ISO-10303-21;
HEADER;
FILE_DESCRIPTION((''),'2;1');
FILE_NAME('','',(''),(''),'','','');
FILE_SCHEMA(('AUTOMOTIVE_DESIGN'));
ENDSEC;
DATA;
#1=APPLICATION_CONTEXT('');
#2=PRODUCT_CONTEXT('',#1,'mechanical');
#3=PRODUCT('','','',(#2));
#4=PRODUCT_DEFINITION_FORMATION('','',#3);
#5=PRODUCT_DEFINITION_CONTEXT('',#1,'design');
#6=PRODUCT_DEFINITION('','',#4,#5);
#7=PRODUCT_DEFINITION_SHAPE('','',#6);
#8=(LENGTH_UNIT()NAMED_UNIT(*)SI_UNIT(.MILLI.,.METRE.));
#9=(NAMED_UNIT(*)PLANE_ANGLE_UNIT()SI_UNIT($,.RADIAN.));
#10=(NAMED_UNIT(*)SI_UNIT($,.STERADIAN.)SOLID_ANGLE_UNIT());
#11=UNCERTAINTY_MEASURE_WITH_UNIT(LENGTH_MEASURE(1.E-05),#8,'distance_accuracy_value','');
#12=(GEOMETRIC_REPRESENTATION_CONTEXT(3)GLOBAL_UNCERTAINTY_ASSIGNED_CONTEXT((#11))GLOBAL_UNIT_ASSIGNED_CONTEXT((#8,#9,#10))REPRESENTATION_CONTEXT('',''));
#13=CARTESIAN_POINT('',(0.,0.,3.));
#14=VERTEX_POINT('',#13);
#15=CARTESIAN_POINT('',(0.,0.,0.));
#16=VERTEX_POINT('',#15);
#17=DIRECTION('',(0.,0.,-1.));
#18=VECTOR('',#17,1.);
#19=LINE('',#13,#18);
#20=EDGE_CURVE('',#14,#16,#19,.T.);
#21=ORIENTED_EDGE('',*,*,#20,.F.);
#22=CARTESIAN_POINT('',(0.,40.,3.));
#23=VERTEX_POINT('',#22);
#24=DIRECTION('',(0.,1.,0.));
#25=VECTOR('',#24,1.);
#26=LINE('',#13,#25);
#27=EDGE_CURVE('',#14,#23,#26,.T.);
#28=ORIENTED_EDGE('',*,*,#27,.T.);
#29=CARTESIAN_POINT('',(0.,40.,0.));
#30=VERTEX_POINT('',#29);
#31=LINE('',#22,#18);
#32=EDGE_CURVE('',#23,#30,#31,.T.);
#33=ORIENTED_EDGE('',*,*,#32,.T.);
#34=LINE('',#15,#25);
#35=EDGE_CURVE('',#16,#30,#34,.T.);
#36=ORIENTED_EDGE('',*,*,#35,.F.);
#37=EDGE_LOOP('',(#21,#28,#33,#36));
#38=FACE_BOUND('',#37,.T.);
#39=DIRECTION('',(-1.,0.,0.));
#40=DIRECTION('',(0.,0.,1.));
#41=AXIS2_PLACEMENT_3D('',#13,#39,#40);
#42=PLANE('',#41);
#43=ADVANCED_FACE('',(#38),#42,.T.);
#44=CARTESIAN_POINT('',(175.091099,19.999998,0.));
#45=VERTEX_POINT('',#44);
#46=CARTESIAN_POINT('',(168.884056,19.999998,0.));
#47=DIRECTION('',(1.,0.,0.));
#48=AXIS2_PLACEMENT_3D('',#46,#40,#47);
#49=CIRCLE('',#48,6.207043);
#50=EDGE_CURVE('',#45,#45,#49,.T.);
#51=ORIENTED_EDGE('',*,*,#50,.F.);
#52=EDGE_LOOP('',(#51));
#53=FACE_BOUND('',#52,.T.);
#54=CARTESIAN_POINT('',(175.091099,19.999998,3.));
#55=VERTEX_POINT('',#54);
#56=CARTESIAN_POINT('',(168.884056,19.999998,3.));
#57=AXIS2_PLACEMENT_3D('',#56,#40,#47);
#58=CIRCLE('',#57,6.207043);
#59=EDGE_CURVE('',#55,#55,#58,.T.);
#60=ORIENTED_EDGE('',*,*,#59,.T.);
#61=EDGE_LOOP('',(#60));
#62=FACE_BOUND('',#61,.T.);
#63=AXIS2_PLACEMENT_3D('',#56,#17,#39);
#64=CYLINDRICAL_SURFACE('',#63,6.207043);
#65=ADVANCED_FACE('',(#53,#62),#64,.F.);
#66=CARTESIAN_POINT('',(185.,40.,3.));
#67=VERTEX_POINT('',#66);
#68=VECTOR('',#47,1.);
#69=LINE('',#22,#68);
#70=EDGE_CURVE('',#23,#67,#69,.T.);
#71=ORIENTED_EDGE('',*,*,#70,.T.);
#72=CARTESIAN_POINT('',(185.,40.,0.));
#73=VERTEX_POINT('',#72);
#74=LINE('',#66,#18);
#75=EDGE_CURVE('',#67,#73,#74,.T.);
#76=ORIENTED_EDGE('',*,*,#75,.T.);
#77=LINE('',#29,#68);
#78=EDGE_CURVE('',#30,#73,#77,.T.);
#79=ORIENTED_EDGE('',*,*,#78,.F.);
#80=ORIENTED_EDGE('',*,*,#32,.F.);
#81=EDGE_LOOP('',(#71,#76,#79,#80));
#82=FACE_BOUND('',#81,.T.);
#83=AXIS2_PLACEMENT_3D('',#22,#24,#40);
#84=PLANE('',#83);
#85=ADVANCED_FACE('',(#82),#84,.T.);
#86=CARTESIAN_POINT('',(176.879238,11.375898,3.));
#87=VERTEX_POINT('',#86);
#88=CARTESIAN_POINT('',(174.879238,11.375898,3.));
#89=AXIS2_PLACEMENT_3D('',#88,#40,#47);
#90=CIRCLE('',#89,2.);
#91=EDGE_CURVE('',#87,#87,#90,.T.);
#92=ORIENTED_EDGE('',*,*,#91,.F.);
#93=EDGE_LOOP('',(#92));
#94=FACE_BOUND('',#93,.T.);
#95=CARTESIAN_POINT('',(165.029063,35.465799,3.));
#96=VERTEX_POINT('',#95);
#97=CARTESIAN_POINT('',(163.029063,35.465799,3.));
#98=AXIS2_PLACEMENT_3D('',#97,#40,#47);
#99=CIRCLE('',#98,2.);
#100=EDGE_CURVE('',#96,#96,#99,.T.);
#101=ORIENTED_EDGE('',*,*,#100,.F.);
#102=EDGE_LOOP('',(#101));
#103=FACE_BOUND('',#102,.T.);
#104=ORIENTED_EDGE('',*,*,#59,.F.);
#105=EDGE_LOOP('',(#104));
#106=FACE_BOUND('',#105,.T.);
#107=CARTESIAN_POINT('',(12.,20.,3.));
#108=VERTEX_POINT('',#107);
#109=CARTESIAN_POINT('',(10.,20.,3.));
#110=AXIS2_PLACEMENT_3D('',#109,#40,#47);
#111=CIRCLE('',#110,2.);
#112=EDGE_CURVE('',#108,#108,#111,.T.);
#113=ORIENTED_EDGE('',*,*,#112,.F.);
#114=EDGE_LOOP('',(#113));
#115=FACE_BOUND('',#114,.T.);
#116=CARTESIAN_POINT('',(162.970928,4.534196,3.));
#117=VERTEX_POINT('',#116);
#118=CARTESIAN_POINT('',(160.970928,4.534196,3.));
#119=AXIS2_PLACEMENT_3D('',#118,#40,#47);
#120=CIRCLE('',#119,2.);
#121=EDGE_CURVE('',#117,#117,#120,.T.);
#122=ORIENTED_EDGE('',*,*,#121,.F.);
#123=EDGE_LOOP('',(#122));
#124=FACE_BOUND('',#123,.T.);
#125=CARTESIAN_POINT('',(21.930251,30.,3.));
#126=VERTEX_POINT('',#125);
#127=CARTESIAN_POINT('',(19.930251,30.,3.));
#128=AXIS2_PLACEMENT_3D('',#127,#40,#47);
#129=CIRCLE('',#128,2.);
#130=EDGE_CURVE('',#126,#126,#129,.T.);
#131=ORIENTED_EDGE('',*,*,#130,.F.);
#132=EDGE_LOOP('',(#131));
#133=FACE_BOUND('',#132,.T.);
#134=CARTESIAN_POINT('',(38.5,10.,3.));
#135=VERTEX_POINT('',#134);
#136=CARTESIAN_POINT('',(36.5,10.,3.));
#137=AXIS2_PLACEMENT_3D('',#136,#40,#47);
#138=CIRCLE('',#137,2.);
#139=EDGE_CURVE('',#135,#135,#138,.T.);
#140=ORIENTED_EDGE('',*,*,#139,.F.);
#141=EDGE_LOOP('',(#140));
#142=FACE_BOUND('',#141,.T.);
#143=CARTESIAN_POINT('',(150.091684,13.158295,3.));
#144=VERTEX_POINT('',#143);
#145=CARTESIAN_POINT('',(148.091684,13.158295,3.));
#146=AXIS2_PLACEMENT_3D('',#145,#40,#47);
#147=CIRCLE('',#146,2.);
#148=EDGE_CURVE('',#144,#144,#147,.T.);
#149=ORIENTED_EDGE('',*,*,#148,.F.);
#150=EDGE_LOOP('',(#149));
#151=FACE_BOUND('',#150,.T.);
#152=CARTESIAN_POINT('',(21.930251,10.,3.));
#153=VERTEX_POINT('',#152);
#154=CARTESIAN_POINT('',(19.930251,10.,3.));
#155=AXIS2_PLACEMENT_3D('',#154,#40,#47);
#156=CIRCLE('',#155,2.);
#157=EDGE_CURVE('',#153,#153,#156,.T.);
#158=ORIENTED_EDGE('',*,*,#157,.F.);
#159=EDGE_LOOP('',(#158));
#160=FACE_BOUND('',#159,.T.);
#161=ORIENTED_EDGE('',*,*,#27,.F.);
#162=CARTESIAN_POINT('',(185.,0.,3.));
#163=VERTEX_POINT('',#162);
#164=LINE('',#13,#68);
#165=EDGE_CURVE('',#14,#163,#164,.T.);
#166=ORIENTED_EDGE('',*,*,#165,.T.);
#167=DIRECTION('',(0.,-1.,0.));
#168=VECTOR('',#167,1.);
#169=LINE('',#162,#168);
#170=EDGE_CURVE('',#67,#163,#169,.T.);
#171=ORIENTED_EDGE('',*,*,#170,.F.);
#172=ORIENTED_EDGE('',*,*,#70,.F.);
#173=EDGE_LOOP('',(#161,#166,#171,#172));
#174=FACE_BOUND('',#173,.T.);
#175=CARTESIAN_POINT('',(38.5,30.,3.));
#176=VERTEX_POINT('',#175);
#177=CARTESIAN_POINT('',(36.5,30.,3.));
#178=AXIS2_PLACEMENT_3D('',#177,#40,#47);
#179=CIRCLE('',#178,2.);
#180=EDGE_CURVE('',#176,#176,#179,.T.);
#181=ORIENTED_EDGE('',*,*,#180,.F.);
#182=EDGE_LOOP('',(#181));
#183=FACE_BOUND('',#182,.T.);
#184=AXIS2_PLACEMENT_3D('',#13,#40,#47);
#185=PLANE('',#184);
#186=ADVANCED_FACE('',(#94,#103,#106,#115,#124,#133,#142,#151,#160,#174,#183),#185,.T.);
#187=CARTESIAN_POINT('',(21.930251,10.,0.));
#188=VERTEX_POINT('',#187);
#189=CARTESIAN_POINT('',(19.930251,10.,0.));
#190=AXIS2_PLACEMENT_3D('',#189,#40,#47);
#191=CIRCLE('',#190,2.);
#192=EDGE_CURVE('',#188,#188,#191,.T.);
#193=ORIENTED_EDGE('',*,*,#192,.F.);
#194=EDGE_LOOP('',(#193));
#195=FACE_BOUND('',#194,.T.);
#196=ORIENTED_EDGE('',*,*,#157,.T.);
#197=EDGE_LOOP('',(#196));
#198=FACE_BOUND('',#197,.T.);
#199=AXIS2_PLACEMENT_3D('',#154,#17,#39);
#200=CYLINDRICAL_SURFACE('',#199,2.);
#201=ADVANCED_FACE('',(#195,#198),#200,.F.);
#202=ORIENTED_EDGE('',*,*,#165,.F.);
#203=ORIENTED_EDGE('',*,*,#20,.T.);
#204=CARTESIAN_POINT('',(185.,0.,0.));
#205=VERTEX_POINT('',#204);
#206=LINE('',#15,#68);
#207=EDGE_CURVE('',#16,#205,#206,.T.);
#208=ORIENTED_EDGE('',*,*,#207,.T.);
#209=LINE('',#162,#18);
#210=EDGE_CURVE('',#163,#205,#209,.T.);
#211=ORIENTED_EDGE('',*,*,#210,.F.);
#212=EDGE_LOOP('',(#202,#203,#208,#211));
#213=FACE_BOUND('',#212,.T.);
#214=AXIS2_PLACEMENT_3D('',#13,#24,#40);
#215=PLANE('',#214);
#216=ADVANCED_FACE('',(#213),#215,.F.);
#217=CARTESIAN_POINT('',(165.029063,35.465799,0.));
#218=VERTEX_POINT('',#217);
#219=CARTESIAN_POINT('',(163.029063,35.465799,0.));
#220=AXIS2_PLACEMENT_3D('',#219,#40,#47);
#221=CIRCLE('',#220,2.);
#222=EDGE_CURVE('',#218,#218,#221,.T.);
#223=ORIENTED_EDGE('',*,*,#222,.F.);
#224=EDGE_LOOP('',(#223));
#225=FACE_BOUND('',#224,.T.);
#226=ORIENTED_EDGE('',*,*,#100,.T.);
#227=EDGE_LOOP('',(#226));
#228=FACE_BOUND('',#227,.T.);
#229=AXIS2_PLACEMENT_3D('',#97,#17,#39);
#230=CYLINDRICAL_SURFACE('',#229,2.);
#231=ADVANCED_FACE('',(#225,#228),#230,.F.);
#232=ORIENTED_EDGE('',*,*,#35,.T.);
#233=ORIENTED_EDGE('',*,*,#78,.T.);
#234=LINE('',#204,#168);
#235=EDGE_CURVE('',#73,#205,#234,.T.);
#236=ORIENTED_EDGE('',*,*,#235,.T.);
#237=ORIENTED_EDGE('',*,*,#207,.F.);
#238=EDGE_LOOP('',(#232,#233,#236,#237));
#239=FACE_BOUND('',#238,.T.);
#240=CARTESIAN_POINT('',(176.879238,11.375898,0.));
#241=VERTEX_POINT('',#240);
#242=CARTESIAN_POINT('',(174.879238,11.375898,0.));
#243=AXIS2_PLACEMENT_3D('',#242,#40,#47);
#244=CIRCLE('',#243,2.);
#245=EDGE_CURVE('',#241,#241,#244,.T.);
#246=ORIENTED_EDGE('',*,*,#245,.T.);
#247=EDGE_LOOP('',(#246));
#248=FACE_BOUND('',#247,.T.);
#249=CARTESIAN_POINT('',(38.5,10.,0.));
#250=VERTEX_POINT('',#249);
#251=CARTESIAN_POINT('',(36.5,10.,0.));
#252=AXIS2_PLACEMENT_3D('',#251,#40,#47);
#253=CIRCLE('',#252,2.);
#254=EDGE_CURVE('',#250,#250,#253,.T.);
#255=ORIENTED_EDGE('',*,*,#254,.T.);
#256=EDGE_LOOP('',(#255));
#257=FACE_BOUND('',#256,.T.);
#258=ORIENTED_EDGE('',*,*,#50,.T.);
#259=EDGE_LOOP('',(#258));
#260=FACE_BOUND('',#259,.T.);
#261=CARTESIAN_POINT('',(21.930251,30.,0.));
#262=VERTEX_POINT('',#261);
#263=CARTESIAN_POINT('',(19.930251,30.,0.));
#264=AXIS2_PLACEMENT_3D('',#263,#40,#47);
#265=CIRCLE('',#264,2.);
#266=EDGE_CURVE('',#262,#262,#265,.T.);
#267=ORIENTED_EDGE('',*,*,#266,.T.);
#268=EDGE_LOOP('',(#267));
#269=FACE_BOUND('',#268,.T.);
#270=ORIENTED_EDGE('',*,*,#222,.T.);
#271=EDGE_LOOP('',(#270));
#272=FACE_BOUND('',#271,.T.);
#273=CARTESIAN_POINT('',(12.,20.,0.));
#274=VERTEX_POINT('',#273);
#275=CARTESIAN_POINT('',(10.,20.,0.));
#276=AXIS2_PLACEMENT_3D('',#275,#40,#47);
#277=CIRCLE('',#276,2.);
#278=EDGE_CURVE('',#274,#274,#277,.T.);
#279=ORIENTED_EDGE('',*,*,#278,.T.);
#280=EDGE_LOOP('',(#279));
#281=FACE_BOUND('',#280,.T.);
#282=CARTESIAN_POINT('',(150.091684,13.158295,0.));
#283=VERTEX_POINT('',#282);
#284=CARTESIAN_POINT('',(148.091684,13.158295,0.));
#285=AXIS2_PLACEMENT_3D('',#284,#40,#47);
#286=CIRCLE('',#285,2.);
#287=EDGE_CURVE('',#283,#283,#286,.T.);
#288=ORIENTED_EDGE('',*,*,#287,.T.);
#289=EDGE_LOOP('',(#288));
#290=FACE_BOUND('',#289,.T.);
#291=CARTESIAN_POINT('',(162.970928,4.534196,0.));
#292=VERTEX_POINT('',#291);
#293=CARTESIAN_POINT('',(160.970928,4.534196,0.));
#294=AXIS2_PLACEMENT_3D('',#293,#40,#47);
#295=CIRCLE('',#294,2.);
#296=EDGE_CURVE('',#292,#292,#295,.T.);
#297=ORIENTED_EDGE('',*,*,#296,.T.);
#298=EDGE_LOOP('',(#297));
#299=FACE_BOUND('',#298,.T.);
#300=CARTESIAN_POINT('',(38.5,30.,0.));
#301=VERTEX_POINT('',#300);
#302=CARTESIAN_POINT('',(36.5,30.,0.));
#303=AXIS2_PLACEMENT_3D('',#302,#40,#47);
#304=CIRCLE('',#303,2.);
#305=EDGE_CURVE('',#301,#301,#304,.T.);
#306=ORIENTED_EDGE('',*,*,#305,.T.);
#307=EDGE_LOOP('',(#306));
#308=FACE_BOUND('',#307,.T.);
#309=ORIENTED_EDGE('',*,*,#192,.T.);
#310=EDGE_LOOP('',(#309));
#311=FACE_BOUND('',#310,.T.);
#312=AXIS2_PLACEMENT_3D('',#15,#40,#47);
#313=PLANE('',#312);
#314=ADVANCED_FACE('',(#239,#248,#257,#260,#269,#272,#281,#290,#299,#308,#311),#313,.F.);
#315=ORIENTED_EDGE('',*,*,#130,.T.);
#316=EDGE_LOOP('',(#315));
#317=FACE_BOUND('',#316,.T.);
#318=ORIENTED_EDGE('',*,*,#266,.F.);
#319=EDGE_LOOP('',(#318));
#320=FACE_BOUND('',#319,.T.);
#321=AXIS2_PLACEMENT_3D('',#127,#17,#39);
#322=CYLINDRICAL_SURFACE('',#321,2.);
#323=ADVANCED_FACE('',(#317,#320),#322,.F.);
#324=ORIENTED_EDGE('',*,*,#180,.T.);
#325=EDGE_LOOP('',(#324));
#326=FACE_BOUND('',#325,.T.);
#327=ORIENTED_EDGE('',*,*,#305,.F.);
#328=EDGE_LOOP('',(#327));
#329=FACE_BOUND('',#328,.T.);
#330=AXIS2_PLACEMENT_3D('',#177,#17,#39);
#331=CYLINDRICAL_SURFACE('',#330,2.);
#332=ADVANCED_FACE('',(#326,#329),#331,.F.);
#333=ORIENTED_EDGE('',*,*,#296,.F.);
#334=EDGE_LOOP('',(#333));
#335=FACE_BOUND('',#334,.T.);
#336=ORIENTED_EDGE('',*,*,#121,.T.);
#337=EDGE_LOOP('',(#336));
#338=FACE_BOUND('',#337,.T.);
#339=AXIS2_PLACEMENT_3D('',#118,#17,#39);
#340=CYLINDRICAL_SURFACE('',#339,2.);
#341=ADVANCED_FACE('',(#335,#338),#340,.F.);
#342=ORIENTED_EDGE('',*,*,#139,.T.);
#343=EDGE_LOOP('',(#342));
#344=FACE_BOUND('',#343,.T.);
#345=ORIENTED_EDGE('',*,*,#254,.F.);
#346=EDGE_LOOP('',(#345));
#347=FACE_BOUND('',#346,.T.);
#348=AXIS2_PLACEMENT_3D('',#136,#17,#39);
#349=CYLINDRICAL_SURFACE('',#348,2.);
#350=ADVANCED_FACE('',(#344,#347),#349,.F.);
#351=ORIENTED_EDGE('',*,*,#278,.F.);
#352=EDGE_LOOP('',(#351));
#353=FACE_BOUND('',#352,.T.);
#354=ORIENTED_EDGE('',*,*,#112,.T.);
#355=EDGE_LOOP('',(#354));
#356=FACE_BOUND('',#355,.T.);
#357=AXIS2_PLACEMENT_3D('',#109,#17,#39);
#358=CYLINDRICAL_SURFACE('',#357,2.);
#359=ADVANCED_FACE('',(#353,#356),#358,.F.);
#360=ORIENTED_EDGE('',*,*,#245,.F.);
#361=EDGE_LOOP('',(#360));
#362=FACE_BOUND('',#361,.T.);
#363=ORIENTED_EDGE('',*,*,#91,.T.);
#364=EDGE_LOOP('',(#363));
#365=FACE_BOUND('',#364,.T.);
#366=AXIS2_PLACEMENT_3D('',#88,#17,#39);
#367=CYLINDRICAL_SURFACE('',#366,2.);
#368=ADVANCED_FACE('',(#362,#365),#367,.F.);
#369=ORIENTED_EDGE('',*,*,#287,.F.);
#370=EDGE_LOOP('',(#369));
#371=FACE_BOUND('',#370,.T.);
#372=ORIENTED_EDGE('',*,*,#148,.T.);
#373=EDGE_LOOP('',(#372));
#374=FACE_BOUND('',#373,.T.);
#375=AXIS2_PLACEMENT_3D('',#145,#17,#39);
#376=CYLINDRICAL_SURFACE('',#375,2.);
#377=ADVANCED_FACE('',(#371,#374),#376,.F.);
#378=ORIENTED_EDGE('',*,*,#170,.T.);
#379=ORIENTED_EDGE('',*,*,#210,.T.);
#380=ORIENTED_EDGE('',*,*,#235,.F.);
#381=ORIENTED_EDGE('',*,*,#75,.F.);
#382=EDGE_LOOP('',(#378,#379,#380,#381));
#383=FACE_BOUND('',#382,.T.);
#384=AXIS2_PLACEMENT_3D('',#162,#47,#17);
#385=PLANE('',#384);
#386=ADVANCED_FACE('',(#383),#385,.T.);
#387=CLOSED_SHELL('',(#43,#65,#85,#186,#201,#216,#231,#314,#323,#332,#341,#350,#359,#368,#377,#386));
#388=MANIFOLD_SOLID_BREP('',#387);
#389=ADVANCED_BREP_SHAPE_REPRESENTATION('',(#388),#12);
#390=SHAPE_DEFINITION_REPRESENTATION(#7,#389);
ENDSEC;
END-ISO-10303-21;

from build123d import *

# Parameters (mm, degrees)
SKETCH1_W           = 185
SKETCH1_H           = 40
SKETCH1_R           = 2
SKETCH1_R_2         = 6.20704278
BOSS_EXTRUDE1_DEPTH = 3


with BuildPart() as part:
    # Sketch1 → Boss-Extrude1 (new body)
    with BuildSketch(Plane.XY):
        with Locations((92.5, 20)):
            Rectangle(SKETCH1_W, SKETCH1_H)
        with Locations((36.5, 10)):
            Circle(SKETCH1_R, mode=Mode.SUBTRACT)
        with Locations((36.5, 30)):
            Circle(SKETCH1_R, mode=Mode.SUBTRACT)
        with Locations((168.884055736, 19.9999977)):
            Circle(SKETCH1_R_2, mode=Mode.SUBTRACT)
        with Locations((163.029062514, 35.465799332)):
            Circle(SKETCH1_R, mode=Mode.SUBTRACT)
        with Locations((174.879238376, 11.375898294)):
            Circle(SKETCH1_R, mode=Mode.SUBTRACT)
        with Locations((148.091684171, 13.158295477)):
            Circle(SKETCH1_R, mode=Mode.SUBTRACT)
        with Locations((160.970927527, 4.53419607)):
            Circle(SKETCH1_R, mode=Mode.SUBTRACT)
        with Locations((19.930250537, 30)):
            Circle(SKETCH1_R, mode=Mode.SUBTRACT)
        with Locations((19.930250537, 10)):
            Circle(SKETCH1_R, mode=Mode.SUBTRACT)
        with Locations((10, 20)):
            Circle(SKETCH1_R, mode=Mode.SUBTRACT)
    extrude(amount=BOSS_EXTRUDE1_DEPTH)


solid = part.part
